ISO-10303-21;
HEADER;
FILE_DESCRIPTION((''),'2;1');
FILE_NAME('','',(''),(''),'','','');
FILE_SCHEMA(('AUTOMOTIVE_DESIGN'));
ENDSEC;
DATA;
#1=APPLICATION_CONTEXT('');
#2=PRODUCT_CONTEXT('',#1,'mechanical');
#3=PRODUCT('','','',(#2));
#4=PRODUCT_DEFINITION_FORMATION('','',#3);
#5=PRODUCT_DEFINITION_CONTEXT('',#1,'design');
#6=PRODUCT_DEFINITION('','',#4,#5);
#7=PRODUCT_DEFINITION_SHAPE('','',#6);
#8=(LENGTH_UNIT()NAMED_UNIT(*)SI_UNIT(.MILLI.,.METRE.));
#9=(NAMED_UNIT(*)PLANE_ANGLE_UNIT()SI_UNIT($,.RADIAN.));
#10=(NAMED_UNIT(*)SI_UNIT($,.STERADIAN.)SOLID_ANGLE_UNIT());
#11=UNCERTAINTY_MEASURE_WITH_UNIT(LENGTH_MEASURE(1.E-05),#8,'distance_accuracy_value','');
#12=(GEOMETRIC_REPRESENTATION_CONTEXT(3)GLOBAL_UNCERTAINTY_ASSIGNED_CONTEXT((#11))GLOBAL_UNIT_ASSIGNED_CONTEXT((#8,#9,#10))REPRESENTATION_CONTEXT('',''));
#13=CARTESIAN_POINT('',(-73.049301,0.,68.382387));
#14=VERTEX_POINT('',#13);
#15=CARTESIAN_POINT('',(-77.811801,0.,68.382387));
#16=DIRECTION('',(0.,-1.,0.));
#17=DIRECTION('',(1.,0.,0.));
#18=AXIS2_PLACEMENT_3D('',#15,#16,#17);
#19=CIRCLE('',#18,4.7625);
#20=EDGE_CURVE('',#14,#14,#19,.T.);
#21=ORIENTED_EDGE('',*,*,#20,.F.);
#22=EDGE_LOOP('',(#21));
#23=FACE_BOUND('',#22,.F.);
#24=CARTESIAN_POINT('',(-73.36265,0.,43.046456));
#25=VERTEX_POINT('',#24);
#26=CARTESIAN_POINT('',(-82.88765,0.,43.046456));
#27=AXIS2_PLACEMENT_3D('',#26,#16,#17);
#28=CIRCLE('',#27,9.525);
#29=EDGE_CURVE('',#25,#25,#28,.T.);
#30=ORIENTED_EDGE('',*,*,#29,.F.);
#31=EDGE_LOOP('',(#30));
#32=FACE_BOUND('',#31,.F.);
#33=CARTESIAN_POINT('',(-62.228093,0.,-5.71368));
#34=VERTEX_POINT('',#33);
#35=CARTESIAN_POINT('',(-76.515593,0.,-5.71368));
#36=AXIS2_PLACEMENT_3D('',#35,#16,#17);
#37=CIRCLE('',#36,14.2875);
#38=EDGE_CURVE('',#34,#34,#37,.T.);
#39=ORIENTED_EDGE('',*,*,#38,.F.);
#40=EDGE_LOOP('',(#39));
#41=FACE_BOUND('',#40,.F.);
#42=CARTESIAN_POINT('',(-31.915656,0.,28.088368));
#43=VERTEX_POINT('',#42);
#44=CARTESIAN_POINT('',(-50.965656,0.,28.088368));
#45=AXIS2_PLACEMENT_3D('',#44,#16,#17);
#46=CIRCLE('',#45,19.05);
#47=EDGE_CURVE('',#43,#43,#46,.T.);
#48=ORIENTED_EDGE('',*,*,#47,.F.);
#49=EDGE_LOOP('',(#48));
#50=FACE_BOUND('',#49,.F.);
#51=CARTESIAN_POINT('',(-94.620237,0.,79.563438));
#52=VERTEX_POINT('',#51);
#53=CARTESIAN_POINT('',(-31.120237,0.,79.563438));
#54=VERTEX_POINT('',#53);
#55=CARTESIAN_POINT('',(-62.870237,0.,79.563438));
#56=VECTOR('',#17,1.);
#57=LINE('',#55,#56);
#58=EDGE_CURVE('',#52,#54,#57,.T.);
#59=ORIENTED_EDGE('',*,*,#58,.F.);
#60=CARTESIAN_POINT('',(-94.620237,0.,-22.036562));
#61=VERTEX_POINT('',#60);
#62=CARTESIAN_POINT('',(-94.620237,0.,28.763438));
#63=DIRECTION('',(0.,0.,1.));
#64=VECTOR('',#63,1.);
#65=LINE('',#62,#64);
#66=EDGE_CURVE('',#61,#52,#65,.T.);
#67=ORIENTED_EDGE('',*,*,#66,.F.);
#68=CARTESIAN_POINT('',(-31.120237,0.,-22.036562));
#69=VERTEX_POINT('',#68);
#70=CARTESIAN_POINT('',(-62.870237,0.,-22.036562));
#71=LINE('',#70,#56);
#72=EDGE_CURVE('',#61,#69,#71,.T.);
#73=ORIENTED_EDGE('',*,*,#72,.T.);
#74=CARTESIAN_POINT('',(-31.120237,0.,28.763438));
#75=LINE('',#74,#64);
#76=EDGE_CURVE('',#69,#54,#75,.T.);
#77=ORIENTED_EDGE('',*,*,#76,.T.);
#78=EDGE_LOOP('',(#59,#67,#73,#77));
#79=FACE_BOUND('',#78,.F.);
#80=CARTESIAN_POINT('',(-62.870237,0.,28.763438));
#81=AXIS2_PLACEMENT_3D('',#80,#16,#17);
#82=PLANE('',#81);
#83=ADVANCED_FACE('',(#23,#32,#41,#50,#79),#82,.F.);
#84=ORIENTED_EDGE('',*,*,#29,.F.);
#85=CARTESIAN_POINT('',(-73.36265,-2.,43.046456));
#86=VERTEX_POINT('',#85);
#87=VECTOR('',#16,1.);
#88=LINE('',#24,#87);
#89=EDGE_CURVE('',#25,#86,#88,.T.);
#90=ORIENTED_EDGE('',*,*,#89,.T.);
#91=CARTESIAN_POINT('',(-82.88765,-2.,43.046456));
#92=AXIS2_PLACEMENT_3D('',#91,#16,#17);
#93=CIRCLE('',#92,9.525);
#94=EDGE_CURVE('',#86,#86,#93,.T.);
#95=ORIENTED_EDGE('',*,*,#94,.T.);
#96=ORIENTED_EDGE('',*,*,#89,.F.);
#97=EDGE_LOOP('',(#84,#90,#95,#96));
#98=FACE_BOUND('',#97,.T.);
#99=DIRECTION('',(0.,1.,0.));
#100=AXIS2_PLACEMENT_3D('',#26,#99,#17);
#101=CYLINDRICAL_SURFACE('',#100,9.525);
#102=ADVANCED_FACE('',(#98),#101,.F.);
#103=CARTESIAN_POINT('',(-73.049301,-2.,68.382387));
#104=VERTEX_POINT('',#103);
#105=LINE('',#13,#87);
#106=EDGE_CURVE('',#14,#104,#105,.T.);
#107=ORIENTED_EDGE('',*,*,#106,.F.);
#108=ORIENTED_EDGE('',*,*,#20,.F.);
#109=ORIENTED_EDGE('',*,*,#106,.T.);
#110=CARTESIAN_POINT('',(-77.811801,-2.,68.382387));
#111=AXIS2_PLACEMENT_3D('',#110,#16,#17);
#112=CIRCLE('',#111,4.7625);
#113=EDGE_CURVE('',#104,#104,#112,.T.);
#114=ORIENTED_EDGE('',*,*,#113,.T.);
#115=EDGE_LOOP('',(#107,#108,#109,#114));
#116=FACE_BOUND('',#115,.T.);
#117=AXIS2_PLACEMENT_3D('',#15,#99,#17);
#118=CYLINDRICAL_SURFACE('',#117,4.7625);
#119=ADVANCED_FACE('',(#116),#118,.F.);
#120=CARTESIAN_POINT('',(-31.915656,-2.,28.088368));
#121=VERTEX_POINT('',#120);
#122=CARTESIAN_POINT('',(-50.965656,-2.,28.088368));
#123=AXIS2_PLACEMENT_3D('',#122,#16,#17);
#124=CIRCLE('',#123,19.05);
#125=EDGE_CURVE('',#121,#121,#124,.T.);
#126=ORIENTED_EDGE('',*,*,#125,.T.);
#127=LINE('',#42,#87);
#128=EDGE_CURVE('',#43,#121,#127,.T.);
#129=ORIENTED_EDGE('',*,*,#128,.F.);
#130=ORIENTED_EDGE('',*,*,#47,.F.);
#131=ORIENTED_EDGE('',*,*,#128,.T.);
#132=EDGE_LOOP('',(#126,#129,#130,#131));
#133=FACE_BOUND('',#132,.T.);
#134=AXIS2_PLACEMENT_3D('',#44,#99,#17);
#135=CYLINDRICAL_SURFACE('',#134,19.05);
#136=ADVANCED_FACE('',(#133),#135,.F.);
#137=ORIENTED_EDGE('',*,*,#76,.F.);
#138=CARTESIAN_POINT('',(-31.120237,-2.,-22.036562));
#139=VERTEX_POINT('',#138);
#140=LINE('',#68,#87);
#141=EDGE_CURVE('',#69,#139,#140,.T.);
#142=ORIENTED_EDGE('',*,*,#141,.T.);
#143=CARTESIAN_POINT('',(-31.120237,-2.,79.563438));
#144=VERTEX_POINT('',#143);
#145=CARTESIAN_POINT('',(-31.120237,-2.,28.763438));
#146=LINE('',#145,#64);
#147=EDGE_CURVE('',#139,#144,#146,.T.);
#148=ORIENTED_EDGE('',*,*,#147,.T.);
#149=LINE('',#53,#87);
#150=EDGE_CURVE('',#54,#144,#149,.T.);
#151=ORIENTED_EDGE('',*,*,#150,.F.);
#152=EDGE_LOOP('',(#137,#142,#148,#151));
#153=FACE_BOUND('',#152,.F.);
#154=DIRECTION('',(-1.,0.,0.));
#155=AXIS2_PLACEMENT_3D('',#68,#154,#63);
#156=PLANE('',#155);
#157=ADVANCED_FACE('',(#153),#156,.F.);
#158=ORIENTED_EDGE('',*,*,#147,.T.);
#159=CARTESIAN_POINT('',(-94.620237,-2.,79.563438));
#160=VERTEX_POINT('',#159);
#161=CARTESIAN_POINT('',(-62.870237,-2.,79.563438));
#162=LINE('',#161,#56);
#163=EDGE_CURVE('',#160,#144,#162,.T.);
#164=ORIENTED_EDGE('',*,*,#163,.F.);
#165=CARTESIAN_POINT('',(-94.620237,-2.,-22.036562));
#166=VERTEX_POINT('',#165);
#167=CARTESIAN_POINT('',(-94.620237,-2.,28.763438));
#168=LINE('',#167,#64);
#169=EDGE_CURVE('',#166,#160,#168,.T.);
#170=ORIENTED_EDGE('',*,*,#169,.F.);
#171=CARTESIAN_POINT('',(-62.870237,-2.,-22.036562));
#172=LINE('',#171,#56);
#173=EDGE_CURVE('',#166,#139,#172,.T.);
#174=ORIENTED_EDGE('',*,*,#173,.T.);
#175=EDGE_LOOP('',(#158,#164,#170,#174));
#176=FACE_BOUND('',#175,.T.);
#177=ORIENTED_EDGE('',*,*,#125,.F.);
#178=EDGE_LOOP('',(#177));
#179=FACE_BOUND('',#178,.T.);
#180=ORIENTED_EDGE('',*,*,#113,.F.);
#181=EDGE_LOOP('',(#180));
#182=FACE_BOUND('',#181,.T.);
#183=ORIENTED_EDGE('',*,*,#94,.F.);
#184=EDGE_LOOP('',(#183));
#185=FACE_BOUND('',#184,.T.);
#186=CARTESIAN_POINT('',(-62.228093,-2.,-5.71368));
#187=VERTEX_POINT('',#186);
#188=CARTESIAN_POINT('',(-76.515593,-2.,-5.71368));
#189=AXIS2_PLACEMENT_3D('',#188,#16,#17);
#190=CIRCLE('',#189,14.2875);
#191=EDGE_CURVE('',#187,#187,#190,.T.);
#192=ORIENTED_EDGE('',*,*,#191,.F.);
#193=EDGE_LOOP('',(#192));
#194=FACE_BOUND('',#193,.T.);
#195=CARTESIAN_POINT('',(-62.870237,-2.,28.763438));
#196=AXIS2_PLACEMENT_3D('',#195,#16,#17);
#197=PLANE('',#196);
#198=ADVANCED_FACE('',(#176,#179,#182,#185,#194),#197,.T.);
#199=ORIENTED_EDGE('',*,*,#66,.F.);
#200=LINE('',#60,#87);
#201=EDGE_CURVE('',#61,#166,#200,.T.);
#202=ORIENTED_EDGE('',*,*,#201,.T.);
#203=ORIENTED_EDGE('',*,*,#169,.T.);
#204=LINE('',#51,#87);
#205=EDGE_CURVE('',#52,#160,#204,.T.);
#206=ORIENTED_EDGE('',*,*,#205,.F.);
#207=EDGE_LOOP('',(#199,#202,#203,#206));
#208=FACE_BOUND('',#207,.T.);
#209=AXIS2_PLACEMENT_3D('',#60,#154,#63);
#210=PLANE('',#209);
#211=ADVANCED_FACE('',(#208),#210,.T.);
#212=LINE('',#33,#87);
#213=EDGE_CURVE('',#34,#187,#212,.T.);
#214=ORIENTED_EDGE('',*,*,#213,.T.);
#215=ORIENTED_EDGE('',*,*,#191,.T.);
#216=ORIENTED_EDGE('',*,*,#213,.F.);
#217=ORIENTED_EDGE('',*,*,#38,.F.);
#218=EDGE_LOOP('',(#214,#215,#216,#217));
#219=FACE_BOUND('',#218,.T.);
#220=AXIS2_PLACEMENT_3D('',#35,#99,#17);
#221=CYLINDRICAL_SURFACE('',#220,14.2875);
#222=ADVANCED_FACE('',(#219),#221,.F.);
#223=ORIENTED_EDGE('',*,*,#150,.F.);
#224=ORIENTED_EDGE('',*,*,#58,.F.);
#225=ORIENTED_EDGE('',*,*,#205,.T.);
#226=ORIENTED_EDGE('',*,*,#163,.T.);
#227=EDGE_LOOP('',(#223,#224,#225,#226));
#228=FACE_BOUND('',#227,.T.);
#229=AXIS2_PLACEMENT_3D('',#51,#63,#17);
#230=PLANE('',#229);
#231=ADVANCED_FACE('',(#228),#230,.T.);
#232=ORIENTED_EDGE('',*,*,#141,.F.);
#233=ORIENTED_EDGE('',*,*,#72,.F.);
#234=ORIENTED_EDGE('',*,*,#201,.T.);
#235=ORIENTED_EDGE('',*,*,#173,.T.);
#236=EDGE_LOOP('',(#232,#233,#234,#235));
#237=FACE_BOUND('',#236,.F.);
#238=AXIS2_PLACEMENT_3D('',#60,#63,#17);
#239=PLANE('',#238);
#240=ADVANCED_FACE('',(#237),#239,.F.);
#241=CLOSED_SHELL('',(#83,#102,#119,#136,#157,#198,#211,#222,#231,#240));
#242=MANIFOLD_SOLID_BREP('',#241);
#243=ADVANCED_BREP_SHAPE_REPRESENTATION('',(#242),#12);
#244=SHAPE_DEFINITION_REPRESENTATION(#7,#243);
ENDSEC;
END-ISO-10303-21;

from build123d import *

# Parameters (mm, degrees)
F0_W     = 63.5
F0_H     = 101.6
F0_R     = 14.2875
F0_R_2   = 19.05
F0_R_3   = 9.525
F0_R_4   = 4.7625
F1_DEPTH = 2


with BuildPart() as f1:
    # F0 (on Front) → F1 (new body)
    with BuildSketch(Plane.XZ):
        with Locations((-62.870237, 28.763438)):
            Rectangle(F0_W, F0_H)
        with Locations((-76.515593, -5.71368)):
            Circle(F0_R, mode=Mode.SUBTRACT)
        with Locations((-50.965656, 28.088368)):
            Circle(F0_R_2, mode=Mode.SUBTRACT)
        with Locations((-82.88765, 43.046456)):
            Circle(F0_R_3, mode=Mode.SUBTRACT)
        with Locations((-77.811801, 68.382387)):
            Circle(F0_R_4, mode=Mode.SUBTRACT)
    extrude(amount=F1_DEPTH)


solid = f1.part
